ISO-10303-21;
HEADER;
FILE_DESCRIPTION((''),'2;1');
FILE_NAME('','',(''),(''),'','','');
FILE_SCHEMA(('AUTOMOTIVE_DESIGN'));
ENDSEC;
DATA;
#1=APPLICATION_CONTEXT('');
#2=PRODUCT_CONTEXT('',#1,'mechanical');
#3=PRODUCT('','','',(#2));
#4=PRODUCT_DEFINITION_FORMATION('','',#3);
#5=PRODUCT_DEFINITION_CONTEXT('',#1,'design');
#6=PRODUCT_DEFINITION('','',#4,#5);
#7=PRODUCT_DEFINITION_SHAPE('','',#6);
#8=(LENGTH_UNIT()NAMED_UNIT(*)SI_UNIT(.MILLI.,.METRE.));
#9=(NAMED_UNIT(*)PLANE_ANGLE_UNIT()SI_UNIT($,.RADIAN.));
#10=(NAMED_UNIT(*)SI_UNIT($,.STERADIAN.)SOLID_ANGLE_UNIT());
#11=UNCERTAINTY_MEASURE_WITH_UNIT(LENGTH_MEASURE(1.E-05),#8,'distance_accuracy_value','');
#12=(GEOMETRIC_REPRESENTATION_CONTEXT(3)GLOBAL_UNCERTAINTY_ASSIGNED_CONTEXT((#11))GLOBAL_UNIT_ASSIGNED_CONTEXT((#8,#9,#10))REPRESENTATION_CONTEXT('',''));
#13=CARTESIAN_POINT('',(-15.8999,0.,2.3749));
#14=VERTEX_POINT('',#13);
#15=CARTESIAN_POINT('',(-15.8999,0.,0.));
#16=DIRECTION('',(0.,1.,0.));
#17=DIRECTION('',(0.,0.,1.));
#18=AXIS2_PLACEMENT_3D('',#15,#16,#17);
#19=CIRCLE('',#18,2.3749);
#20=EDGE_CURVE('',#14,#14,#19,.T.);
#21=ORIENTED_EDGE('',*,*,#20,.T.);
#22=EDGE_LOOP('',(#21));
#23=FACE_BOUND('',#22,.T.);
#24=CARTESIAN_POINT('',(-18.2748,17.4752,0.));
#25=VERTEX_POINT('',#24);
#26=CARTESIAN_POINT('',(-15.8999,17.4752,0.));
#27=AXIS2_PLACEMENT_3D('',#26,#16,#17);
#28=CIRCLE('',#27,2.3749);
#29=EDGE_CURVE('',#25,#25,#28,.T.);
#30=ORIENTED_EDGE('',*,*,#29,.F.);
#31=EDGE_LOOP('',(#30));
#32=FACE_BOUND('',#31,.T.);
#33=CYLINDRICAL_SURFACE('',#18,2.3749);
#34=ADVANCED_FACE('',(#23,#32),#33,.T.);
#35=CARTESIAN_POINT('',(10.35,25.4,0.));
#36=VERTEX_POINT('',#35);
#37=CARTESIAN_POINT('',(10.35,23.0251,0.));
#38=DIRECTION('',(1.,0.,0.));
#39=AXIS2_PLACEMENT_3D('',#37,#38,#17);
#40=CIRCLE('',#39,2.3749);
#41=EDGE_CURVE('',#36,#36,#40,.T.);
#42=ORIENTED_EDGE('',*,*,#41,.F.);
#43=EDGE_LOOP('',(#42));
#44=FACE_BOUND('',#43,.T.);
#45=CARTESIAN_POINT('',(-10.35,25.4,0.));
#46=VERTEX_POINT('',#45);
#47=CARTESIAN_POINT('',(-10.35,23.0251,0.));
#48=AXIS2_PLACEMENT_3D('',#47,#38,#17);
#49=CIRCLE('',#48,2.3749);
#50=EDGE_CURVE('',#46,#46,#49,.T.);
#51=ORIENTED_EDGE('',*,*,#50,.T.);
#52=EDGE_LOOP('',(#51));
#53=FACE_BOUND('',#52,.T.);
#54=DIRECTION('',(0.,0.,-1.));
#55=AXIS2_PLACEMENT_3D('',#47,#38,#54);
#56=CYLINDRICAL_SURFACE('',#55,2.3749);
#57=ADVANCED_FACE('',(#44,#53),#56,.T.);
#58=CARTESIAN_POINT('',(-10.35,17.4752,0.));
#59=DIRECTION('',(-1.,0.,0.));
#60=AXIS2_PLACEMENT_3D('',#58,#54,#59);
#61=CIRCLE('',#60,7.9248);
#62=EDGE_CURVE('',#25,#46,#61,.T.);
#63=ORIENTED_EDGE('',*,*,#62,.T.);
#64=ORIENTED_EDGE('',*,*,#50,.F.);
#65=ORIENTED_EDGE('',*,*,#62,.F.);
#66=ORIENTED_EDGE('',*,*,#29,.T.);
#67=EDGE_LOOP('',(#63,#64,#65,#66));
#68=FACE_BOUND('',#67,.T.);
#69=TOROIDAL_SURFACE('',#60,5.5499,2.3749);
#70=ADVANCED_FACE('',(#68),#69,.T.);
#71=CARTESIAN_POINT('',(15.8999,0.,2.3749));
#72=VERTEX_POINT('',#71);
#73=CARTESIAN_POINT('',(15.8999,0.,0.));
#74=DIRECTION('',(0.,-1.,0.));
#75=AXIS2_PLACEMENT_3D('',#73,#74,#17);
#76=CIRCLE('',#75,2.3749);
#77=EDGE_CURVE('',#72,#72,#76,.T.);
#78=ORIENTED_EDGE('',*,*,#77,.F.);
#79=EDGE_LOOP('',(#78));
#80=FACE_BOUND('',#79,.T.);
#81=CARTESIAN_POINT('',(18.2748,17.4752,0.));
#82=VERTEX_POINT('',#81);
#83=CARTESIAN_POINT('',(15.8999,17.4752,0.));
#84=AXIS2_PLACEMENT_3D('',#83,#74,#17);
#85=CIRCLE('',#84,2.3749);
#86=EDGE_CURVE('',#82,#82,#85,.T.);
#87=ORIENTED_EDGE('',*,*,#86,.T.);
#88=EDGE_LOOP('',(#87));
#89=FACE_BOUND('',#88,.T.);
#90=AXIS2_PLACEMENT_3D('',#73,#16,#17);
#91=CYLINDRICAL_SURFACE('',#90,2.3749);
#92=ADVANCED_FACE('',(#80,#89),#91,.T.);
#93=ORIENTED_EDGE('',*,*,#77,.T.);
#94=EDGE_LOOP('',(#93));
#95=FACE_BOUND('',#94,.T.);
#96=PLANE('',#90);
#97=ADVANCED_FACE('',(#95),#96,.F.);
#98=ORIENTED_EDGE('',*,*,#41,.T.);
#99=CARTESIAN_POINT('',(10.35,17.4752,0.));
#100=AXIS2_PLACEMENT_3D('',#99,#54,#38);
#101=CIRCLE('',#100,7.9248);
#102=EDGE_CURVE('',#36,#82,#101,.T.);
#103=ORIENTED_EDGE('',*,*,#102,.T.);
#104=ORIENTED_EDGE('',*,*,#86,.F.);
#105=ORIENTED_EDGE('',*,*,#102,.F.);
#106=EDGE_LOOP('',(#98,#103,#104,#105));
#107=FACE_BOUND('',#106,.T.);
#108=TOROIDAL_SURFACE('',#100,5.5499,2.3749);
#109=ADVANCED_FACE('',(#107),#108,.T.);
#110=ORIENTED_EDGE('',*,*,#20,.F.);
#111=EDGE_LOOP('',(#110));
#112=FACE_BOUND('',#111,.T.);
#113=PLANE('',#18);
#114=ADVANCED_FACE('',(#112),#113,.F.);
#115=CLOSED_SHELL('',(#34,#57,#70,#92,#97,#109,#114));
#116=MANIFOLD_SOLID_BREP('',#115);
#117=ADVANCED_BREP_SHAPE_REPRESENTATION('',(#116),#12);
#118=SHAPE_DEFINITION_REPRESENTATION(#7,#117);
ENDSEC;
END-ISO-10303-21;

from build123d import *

# Parameters (mm, degrees)
SKETCH3_R = 2.3749


with BuildPart() as part:
    # Sweep1: sweep along a path in Sketch4
    with BuildLine(Plane.XY) as sweep1_path:
        Line((0, 23.0251), (-10.35, 23.0251))
        ThreePointArc((-10.35, 23.0251), (-14.274371925, 21.399571925), (-15.8999, 17.4752))
        Line((-15.8999, 17.4752), (-15.8999, 0))
    # Sketch3 → Sweep1 (sweep)
    with BuildSketch(Plane(origin=(0, 0, 0), x_dir=(1, 0, 0), z_dir=(0, 1, 0))):
        with Locations((-15.8999, 0)):
            Circle(SKETCH3_R)
    sweep(path=sweep1_path.line)

    # Mirror1: part across plane


with BuildPart() as part_1:
    add(part.part)
    add(part.part.mirror(Plane(origin=(0, 0, 0), x_dir=(0, 0, 1), z_dir=(1, 0, 0))))


solid = part_1.part
